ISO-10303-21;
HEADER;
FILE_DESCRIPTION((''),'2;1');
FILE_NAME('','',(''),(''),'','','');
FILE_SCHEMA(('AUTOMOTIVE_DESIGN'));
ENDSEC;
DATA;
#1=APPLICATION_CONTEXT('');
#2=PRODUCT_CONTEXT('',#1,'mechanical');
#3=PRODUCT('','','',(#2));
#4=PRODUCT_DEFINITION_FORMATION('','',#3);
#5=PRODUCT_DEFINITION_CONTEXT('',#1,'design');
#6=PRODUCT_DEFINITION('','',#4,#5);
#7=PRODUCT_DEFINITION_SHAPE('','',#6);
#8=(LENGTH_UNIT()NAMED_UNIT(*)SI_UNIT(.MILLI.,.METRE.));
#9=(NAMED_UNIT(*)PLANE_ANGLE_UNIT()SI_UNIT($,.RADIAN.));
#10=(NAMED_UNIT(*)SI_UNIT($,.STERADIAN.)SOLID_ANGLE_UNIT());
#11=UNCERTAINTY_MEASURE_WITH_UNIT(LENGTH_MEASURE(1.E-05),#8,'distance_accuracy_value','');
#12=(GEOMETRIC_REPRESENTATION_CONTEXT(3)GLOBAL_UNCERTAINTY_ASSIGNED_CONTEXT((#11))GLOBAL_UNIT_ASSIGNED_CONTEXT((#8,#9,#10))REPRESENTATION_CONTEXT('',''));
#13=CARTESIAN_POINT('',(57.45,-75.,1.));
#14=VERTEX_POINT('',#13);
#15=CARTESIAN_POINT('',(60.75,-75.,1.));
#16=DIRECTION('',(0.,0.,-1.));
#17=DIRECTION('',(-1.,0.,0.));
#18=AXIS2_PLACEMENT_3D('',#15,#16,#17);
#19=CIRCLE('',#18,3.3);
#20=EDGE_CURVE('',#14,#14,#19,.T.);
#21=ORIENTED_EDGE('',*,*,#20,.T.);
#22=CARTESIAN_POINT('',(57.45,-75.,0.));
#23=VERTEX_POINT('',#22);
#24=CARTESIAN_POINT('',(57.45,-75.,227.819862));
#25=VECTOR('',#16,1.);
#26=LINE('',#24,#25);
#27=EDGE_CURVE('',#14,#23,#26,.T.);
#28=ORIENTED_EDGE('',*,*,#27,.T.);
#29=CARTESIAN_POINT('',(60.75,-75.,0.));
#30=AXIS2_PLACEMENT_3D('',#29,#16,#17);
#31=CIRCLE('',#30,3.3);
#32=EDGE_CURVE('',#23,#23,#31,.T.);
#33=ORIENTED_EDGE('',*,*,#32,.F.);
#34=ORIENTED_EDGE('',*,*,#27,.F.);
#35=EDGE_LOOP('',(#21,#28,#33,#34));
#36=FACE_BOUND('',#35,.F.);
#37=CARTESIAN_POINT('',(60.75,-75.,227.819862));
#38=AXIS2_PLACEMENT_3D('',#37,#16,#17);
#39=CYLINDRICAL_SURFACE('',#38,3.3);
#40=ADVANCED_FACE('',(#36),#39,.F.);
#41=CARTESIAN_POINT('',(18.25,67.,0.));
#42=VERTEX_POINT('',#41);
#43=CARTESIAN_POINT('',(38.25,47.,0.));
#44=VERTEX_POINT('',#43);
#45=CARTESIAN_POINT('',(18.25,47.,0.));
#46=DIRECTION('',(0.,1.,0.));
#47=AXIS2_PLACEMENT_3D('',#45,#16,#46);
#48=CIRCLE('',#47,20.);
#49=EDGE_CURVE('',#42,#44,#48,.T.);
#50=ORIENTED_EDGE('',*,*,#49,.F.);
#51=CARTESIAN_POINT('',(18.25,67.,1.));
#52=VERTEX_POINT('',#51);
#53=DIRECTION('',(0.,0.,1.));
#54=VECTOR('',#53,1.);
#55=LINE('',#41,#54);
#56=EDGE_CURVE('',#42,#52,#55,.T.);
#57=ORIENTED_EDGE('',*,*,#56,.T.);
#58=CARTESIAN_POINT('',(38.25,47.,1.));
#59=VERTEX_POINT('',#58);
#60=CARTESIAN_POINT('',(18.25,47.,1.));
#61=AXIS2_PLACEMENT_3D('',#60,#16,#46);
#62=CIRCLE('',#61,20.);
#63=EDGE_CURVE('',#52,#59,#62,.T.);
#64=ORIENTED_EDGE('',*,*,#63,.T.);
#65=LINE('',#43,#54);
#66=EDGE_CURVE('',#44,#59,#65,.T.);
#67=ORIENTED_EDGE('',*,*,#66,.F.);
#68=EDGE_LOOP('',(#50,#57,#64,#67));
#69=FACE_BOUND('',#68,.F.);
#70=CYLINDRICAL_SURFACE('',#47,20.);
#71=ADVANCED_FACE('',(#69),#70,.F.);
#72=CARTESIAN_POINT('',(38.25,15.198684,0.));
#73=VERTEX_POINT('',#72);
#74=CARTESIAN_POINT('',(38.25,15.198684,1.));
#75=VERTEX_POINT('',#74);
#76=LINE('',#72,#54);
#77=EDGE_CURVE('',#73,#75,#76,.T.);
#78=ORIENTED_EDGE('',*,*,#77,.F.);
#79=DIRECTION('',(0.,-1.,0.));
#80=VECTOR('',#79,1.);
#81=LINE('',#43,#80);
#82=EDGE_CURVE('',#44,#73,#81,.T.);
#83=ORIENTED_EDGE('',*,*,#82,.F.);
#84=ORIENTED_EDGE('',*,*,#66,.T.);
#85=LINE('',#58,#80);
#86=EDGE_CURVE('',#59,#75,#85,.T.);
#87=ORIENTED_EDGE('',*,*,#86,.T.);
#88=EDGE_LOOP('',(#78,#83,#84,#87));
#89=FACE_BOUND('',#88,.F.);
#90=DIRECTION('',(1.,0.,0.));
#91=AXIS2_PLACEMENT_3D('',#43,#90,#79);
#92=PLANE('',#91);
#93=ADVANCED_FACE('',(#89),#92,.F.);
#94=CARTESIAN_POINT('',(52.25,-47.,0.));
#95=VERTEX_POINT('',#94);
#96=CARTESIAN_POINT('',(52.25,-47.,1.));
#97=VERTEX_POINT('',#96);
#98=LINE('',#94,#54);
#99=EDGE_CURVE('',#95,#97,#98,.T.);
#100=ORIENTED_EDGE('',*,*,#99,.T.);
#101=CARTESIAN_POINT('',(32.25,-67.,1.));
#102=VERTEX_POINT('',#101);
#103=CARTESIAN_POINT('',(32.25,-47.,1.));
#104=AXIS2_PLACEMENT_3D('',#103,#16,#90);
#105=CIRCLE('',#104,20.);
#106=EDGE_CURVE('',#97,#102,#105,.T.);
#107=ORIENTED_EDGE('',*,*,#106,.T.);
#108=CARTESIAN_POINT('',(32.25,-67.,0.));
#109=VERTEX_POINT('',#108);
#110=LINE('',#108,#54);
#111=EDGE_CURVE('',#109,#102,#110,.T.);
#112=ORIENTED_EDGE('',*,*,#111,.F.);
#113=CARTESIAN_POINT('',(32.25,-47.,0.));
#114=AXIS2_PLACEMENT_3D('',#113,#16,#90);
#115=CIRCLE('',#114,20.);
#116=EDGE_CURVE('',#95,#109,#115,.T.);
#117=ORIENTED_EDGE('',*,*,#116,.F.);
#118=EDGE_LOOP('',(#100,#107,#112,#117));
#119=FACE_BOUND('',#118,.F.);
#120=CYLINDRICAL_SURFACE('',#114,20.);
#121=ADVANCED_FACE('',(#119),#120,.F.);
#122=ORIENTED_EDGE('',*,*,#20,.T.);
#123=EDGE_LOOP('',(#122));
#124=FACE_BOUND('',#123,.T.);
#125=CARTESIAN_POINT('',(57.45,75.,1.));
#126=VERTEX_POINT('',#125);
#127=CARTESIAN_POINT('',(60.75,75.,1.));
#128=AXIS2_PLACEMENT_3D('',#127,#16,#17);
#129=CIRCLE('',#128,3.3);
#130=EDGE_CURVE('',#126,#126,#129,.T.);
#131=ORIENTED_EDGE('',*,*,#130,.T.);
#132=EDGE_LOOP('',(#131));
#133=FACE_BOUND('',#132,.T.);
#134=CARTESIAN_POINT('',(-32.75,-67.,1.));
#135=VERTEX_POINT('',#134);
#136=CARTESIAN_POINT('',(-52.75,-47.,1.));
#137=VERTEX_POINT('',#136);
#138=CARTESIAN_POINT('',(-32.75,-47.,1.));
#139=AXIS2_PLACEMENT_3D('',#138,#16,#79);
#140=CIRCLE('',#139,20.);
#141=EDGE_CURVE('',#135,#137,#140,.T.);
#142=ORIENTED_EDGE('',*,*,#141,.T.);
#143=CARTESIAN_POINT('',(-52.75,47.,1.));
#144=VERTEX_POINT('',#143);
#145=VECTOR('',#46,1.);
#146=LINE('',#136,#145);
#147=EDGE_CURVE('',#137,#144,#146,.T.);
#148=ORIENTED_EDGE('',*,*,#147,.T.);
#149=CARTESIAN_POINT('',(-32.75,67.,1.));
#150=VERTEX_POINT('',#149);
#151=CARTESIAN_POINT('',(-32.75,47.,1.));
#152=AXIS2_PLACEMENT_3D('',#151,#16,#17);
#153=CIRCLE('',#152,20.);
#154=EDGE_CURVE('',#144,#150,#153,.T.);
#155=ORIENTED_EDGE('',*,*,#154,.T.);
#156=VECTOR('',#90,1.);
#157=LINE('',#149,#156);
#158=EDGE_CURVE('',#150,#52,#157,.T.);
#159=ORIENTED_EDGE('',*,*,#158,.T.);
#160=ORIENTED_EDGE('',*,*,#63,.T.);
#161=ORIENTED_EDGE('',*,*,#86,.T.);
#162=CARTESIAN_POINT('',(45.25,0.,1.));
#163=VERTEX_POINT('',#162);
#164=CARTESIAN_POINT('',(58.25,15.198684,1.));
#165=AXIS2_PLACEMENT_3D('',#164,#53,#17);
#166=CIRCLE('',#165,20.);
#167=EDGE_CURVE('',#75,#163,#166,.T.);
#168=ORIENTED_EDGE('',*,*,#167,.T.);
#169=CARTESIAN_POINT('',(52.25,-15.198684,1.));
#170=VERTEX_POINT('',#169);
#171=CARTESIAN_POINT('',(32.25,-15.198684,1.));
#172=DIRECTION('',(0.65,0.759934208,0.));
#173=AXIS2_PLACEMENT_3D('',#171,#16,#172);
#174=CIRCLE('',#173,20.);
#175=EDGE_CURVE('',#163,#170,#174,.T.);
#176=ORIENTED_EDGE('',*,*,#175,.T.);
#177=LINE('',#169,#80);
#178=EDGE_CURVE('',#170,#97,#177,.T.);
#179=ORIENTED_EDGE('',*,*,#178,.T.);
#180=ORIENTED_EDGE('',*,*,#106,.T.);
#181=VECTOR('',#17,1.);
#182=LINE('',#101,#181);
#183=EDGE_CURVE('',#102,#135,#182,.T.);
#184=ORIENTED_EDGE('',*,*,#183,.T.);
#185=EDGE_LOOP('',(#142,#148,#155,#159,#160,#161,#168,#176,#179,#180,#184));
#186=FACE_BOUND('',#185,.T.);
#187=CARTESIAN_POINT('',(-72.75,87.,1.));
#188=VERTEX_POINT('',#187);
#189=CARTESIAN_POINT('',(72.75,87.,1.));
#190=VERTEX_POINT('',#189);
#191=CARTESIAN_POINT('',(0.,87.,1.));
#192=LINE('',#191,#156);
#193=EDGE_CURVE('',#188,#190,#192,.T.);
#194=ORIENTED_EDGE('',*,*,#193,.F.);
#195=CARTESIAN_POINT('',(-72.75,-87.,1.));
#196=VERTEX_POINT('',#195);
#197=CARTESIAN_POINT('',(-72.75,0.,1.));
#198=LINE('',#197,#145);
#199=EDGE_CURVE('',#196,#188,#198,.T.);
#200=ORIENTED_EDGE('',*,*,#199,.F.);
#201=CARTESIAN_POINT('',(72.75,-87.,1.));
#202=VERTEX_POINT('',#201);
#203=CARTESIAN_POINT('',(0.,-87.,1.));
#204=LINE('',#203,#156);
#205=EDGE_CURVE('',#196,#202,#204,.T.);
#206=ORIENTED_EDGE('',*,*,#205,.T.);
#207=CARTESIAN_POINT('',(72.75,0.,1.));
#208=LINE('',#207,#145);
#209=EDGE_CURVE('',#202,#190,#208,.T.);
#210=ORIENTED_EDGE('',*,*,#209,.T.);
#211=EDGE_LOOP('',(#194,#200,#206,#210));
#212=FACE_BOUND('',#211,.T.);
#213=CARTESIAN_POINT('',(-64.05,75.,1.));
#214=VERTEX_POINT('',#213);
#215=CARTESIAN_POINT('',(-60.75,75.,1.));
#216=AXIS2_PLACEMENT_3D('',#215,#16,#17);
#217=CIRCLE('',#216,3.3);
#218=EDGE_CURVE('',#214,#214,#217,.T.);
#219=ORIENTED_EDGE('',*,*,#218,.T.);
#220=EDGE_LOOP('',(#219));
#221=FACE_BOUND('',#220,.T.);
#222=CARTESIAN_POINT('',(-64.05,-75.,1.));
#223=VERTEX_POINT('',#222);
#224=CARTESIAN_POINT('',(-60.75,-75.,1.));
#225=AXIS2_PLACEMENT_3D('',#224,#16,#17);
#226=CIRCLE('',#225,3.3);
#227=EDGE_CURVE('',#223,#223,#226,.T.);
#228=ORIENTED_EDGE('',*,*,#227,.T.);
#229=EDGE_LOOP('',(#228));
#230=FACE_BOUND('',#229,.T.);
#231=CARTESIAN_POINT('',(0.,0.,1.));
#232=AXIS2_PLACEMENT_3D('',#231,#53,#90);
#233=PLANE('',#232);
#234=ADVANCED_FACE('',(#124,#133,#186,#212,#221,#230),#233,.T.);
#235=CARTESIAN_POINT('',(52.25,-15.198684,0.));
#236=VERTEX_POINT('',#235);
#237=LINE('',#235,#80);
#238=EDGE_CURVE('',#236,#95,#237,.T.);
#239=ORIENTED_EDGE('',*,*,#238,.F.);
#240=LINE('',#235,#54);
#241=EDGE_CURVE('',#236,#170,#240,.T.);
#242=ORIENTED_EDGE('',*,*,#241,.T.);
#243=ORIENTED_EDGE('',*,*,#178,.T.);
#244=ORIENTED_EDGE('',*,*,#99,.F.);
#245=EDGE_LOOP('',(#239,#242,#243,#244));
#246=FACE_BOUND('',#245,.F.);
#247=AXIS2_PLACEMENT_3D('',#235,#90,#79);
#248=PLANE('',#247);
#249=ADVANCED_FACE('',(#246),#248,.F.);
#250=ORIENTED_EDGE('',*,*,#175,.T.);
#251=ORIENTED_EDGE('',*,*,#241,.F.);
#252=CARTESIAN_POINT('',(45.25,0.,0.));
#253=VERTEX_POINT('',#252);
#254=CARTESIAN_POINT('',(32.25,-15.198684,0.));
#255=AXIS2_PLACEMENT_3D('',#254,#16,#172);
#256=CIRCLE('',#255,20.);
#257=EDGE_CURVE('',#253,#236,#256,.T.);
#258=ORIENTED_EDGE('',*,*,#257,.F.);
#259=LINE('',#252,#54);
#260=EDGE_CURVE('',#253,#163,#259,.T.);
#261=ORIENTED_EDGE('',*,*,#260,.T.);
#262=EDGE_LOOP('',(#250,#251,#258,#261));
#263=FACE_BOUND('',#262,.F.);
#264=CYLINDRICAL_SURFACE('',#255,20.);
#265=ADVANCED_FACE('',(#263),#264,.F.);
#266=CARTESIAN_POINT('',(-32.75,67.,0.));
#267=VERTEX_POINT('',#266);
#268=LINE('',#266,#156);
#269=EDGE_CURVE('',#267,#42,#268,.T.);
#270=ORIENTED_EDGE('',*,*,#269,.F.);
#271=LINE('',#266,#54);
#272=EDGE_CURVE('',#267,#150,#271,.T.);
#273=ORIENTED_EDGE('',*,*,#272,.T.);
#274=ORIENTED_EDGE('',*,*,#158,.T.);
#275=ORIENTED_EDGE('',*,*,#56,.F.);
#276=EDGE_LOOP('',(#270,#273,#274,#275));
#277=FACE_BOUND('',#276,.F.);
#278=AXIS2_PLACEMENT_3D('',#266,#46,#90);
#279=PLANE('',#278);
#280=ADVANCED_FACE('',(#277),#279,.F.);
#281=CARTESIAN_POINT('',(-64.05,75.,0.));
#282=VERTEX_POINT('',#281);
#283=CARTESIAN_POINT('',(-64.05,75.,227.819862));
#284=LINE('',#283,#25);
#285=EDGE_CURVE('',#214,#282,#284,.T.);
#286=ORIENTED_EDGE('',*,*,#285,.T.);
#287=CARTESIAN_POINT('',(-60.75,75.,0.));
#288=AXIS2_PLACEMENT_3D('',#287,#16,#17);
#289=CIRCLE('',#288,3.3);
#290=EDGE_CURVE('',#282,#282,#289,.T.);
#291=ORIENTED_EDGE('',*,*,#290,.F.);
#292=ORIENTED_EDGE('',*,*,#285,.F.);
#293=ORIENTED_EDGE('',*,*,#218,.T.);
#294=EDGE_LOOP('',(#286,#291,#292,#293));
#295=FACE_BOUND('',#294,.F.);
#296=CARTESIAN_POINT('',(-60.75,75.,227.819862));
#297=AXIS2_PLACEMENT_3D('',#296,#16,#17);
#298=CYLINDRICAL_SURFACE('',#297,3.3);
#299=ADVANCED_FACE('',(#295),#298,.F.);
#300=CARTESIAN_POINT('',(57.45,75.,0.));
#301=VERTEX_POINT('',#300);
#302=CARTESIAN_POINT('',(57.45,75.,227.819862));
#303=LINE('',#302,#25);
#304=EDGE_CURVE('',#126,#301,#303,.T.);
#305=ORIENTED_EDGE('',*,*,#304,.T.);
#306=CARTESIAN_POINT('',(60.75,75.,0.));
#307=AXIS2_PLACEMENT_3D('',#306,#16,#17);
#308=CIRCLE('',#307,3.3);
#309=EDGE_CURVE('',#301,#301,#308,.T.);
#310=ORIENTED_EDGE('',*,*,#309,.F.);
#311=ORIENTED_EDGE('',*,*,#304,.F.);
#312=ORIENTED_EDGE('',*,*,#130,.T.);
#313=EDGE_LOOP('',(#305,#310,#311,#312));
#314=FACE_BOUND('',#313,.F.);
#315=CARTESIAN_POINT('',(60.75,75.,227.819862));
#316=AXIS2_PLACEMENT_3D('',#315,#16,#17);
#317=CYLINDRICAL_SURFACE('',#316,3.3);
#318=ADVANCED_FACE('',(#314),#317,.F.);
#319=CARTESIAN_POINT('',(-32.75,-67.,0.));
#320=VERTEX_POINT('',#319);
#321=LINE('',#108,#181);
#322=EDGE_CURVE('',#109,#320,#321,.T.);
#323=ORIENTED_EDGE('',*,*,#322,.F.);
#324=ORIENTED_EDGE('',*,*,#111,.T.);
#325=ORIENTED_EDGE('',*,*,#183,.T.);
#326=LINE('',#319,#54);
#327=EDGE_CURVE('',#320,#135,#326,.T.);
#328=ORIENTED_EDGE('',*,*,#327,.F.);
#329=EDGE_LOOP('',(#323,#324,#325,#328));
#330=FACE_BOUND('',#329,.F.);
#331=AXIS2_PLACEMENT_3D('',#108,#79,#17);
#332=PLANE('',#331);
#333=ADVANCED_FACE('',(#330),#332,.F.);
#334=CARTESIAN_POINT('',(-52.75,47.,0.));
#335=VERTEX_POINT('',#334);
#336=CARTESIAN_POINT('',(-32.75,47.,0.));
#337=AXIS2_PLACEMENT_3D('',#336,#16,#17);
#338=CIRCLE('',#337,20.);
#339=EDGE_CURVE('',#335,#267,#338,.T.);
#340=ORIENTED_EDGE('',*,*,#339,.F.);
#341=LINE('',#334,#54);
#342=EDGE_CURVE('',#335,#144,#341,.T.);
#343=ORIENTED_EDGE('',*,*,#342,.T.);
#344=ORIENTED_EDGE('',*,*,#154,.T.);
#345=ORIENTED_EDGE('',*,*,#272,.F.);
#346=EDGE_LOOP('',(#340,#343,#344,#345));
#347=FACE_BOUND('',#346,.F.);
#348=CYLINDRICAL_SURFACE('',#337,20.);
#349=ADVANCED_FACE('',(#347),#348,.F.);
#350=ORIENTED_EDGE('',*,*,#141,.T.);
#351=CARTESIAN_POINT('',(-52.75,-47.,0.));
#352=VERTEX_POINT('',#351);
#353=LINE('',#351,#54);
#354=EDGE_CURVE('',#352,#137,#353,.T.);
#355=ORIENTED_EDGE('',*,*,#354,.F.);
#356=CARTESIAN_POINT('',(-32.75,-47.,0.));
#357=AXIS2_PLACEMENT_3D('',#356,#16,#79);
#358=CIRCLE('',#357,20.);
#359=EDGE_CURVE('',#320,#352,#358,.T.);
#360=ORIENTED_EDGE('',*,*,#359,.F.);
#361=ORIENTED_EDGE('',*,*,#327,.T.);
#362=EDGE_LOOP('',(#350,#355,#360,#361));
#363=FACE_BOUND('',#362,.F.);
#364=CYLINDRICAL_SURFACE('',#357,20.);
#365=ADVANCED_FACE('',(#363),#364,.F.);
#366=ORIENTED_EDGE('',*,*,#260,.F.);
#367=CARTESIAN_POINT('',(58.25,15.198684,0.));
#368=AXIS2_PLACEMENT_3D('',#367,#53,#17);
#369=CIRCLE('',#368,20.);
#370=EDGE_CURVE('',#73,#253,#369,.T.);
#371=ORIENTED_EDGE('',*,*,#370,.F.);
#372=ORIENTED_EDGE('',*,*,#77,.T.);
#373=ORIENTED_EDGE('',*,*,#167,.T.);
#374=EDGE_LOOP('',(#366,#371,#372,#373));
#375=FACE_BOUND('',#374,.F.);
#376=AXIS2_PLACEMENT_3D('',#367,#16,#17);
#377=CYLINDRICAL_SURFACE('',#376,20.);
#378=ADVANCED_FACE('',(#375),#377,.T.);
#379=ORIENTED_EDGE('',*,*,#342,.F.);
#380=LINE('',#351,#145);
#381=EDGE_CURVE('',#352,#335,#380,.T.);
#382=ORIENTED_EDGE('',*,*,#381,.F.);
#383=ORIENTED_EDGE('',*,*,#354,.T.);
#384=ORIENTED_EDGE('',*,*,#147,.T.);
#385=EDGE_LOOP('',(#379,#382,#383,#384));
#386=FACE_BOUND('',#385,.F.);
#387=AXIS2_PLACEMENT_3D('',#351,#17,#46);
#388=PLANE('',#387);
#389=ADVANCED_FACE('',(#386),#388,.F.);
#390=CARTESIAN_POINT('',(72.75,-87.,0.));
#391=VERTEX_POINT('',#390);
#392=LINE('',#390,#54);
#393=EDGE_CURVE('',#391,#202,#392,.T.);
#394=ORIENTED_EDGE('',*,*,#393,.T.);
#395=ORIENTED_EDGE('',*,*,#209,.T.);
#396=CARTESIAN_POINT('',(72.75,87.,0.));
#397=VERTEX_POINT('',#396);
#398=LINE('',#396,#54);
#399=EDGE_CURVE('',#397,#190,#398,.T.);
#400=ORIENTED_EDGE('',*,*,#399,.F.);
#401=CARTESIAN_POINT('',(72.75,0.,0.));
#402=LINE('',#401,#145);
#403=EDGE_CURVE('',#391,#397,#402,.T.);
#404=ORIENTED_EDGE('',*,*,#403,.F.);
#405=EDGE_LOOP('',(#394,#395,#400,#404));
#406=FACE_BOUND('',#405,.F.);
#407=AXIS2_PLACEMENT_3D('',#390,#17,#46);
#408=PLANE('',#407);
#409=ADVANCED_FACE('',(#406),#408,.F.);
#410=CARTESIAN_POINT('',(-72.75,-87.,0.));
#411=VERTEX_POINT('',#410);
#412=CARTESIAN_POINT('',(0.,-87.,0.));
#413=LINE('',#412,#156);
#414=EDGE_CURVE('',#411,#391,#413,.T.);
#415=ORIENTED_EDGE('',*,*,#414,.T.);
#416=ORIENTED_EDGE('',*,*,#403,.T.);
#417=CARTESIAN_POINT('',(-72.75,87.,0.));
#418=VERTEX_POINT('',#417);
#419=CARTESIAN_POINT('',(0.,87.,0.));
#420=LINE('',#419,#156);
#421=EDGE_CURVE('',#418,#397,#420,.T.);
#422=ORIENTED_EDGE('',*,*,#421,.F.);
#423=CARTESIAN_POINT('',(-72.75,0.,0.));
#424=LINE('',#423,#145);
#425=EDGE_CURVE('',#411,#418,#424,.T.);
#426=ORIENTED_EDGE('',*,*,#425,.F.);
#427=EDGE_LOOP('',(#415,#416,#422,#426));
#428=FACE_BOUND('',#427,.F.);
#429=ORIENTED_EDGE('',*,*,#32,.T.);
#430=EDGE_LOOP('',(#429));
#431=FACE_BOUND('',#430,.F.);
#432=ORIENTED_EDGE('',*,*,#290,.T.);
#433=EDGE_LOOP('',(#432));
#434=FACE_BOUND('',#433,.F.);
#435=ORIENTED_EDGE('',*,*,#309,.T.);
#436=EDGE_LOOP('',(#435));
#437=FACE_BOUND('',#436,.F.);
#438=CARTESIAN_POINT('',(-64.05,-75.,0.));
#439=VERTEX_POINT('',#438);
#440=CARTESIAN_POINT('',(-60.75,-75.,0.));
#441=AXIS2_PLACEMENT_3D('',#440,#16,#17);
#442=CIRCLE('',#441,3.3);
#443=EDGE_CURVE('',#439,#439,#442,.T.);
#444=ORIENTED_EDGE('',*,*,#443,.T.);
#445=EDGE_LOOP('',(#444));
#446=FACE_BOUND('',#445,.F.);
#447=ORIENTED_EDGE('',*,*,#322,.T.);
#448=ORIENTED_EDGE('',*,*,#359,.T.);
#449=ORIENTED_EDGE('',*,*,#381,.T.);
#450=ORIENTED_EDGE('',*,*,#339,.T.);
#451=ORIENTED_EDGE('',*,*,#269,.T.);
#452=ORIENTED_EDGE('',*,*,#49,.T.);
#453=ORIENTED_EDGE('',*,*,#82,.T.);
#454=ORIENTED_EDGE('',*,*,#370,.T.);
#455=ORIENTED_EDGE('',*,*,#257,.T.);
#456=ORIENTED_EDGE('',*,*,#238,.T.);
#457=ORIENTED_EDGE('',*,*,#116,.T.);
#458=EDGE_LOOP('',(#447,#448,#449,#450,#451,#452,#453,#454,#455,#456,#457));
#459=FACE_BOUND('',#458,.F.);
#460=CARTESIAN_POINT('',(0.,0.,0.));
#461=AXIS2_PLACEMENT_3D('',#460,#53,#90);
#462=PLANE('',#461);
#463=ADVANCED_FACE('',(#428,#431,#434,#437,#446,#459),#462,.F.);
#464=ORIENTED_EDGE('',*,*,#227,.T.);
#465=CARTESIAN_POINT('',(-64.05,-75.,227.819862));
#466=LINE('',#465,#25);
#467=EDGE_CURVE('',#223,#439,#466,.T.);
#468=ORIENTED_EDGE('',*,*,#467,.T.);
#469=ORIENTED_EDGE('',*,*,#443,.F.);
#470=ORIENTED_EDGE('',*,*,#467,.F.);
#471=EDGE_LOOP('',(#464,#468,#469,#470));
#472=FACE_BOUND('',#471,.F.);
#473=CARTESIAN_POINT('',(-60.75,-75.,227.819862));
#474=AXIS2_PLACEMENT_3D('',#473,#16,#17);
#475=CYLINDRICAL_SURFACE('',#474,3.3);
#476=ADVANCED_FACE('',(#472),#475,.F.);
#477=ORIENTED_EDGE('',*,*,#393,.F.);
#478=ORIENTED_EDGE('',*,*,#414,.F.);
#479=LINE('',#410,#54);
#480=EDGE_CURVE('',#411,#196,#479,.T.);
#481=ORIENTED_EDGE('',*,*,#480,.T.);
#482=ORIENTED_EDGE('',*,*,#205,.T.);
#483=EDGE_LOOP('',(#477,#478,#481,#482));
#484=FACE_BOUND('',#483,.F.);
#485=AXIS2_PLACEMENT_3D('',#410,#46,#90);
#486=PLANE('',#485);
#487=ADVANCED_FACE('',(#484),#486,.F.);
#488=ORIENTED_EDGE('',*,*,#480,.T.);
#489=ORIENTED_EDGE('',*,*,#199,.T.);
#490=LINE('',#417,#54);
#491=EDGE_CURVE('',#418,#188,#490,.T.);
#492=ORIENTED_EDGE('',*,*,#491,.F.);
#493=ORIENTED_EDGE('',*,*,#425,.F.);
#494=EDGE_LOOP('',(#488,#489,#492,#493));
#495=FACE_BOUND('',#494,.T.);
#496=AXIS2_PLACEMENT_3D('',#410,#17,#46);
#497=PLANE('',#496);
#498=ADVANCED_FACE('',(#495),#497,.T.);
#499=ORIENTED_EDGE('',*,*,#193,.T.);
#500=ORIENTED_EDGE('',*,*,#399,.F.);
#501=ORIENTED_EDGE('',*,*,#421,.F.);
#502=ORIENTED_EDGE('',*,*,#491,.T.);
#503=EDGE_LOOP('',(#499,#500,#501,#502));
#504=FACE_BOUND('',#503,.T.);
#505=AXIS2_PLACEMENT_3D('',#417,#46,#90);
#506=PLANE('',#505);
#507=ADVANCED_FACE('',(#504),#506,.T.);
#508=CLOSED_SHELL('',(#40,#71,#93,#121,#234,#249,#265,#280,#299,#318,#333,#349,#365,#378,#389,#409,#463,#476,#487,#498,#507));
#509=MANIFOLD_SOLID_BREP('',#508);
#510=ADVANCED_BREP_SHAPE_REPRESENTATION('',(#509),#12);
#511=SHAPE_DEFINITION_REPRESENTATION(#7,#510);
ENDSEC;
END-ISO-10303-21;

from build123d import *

# Parameters (mm, degrees)
F0_W     = 145.5
F0_H     = 174
F1_DEPTH = 1
F3_D     = 6.6


with BuildPart() as f1:
    # F0 (on Top) → F1 (new body)
    with BuildSketch(Plane.XY):
        Rectangle(F0_W, F0_H)
        with BuildLine():
            Line((-52.75, -47), (-52.75, 47))
            ThreePointArc((-52.75, 47), (-46.8921356237, 61.1421356237), (-32.75, 67))
            Line((-32.75, 67), (18.25, 67))
            ThreePointArc((18.25, 67), (32.3921356237, 61.1421356237), (38.25, 47))
            Line((38.25, 47), (38.25, 15.1986841536))
            ThreePointArc((38.25, 15.1986841536), (40.0840978754, 6.8320838882), (45.25, 0))
            ThreePointArc((45.25, 0), (50.4159021246, -6.8320838882), (52.25, -15.1986841536))
            Line((52.25, -15.1986841536), (52.25, -47))
            ThreePointArc((52.25, -47), (46.3921356237, -61.1421356237), (32.25, -67))
            Line((32.25, -67), (-32.75, -67))
            ThreePointArc((-32.75, -67), (-46.8921356237, -61.1421356237), (-52.75, -47))
        make_face(mode=Mode.SUBTRACT)
    extrude(amount=F1_DEPTH)

    # F3 (through all)
    with Locations(Plane.XY.offset(1)):
        with Locations((-60.75, 75), (60.75, 75), (60.75, -75), (-60.75, -75)):
            Hole(F3_D / 2)


solid = f1.part
